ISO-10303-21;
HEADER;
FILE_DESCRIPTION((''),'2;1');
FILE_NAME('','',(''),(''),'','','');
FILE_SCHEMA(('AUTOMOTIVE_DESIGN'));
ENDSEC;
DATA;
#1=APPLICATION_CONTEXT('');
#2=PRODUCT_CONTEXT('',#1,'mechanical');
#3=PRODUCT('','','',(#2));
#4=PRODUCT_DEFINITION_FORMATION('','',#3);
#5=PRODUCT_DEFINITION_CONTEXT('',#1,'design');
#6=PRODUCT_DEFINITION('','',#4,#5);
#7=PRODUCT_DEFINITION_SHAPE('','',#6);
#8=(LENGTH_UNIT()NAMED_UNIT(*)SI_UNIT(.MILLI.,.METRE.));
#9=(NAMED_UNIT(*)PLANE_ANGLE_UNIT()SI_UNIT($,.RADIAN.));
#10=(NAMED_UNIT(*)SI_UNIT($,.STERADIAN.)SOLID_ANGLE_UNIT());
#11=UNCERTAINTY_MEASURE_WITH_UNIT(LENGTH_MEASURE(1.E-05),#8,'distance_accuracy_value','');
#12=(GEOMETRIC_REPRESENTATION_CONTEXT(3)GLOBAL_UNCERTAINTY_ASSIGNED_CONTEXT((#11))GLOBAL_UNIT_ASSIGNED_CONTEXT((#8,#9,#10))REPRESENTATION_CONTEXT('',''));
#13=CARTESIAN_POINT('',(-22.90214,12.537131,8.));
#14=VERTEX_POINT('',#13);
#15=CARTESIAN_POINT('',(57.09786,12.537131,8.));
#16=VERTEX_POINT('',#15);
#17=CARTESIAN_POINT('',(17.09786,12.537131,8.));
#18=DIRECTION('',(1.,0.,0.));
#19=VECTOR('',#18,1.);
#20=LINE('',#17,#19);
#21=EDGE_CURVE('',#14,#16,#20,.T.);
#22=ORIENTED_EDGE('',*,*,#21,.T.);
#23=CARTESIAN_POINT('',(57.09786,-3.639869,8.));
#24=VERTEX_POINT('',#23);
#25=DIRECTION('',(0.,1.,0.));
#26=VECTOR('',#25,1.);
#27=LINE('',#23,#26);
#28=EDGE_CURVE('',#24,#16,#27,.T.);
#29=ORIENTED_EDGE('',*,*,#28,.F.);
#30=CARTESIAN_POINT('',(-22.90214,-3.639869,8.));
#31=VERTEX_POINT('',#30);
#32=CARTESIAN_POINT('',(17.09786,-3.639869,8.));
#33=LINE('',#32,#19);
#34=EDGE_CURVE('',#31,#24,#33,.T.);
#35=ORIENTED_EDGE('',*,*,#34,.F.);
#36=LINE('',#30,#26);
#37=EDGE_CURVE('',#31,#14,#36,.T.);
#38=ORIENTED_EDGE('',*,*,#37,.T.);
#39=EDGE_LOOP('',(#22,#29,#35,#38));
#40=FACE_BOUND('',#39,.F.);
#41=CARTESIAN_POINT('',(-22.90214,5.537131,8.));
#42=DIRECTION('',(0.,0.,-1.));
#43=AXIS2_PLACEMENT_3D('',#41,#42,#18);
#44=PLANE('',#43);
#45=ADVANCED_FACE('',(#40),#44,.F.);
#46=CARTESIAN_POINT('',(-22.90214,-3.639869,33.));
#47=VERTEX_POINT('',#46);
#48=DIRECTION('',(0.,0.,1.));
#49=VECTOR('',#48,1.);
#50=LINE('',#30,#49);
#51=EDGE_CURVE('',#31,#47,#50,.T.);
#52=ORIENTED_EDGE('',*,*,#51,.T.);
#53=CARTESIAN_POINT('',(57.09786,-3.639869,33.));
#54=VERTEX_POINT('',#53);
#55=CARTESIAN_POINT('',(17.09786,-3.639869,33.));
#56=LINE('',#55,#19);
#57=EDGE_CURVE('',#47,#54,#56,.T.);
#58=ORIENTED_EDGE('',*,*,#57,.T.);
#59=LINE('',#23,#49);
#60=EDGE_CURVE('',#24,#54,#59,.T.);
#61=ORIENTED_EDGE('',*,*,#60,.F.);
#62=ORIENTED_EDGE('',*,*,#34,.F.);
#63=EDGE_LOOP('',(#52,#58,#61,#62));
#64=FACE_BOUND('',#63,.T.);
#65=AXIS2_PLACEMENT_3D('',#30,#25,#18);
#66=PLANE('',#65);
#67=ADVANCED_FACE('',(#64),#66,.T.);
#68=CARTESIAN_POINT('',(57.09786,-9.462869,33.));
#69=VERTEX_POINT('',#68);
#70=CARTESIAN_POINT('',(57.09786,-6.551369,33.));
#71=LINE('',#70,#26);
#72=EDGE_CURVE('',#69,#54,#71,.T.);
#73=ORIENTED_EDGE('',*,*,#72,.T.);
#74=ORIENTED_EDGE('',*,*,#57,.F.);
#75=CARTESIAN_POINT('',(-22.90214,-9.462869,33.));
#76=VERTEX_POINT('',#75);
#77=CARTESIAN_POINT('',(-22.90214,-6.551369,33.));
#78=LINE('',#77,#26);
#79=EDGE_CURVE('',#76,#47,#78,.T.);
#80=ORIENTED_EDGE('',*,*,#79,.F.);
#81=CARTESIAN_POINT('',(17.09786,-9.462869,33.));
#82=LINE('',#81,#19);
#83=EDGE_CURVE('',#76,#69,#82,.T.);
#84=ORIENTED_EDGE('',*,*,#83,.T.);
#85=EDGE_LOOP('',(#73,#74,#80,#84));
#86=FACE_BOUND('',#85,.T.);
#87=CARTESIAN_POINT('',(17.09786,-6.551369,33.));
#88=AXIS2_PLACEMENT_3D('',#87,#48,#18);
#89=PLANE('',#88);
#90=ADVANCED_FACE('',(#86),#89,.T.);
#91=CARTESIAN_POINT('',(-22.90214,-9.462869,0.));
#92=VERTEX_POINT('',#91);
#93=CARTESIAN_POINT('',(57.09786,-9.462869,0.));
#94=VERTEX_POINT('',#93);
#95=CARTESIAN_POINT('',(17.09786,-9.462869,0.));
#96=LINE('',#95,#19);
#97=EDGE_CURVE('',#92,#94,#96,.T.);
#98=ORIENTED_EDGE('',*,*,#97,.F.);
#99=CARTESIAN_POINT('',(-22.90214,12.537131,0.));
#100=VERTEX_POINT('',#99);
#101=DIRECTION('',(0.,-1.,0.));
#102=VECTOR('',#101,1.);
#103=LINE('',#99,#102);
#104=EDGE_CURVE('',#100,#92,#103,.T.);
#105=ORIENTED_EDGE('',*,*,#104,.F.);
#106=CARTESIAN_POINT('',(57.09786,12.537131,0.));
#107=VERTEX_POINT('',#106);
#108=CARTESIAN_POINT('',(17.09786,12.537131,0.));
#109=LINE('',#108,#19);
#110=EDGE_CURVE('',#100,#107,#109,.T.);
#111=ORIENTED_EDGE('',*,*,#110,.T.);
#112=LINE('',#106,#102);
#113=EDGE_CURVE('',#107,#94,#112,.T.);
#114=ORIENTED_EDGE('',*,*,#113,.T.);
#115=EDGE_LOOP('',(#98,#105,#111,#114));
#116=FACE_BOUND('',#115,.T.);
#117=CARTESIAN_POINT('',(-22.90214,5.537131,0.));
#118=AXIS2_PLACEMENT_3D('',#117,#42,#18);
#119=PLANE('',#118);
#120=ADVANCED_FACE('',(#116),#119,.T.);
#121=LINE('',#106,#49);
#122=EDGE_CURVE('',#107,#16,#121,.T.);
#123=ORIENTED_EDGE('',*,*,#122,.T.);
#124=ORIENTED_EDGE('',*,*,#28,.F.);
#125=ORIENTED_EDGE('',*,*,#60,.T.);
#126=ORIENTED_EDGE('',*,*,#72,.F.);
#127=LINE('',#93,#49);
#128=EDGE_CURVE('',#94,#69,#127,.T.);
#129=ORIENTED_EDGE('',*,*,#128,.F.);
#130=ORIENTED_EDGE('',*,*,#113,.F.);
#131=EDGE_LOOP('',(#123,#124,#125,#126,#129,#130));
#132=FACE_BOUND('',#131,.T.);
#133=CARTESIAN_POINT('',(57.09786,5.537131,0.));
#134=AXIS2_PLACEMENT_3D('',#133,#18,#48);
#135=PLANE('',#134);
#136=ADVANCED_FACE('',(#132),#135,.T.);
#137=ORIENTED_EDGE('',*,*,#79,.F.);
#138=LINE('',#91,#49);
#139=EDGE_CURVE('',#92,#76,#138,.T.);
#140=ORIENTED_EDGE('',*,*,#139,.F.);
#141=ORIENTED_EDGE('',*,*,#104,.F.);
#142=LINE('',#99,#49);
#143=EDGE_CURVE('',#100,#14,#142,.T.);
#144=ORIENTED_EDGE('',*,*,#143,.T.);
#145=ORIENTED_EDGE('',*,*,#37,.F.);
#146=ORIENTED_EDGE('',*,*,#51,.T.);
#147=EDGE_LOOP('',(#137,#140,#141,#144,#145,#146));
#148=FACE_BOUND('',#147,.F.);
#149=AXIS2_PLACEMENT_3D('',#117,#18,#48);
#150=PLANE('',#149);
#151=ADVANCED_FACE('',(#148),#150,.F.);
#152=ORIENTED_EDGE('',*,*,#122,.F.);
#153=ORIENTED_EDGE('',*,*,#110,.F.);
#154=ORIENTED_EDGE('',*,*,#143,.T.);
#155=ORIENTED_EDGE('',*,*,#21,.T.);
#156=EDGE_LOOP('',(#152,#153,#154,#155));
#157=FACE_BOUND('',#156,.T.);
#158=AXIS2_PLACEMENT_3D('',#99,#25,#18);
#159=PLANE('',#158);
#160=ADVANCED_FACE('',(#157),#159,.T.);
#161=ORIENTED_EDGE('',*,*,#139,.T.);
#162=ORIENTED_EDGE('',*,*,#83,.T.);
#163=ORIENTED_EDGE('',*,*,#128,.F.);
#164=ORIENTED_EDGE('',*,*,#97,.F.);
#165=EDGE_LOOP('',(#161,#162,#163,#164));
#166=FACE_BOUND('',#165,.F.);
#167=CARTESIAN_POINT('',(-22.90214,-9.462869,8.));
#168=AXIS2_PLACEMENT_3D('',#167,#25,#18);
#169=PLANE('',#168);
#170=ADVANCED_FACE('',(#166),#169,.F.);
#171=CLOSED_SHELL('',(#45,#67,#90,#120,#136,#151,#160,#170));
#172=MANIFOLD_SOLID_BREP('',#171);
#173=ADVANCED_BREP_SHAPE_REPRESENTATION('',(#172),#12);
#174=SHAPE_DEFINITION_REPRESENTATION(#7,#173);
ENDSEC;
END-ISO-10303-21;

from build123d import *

# Parameters (mm, degrees)
F0_W     = 80
F0_H     = 15
F1_DEPTH = 8
F2_W     = 80
F2_H     = 5.823
F3_DEPTH = 25
F4_DEPTH = 7


with BuildPart() as f1:
    # F0 (on Top) → F1 (new body)
    with BuildSketch(Plane.XY):
        with Locations((17.0978596434, -1.9628690071)):
            Rectangle(F0_W, F0_H)
    extrude(amount=F1_DEPTH)

    # F2 (on face) → F3 (join)
    with BuildSketch(Plane.XY.offset(8)):
        with Locations((17.0978596434, -6.5513690071)):
            Rectangle(F2_W, F2_H)
    extrude(amount=F3_DEPTH)

    # F4 (add): a face of the model
    f4_faces = [f1.faces().sort_by_distance(p)[0] for p in [
        (17.0978596434, 5.5371309929, 4),
    ]]
    extrude(f4_faces, amount=F4_DEPTH)


solid = f1.part
